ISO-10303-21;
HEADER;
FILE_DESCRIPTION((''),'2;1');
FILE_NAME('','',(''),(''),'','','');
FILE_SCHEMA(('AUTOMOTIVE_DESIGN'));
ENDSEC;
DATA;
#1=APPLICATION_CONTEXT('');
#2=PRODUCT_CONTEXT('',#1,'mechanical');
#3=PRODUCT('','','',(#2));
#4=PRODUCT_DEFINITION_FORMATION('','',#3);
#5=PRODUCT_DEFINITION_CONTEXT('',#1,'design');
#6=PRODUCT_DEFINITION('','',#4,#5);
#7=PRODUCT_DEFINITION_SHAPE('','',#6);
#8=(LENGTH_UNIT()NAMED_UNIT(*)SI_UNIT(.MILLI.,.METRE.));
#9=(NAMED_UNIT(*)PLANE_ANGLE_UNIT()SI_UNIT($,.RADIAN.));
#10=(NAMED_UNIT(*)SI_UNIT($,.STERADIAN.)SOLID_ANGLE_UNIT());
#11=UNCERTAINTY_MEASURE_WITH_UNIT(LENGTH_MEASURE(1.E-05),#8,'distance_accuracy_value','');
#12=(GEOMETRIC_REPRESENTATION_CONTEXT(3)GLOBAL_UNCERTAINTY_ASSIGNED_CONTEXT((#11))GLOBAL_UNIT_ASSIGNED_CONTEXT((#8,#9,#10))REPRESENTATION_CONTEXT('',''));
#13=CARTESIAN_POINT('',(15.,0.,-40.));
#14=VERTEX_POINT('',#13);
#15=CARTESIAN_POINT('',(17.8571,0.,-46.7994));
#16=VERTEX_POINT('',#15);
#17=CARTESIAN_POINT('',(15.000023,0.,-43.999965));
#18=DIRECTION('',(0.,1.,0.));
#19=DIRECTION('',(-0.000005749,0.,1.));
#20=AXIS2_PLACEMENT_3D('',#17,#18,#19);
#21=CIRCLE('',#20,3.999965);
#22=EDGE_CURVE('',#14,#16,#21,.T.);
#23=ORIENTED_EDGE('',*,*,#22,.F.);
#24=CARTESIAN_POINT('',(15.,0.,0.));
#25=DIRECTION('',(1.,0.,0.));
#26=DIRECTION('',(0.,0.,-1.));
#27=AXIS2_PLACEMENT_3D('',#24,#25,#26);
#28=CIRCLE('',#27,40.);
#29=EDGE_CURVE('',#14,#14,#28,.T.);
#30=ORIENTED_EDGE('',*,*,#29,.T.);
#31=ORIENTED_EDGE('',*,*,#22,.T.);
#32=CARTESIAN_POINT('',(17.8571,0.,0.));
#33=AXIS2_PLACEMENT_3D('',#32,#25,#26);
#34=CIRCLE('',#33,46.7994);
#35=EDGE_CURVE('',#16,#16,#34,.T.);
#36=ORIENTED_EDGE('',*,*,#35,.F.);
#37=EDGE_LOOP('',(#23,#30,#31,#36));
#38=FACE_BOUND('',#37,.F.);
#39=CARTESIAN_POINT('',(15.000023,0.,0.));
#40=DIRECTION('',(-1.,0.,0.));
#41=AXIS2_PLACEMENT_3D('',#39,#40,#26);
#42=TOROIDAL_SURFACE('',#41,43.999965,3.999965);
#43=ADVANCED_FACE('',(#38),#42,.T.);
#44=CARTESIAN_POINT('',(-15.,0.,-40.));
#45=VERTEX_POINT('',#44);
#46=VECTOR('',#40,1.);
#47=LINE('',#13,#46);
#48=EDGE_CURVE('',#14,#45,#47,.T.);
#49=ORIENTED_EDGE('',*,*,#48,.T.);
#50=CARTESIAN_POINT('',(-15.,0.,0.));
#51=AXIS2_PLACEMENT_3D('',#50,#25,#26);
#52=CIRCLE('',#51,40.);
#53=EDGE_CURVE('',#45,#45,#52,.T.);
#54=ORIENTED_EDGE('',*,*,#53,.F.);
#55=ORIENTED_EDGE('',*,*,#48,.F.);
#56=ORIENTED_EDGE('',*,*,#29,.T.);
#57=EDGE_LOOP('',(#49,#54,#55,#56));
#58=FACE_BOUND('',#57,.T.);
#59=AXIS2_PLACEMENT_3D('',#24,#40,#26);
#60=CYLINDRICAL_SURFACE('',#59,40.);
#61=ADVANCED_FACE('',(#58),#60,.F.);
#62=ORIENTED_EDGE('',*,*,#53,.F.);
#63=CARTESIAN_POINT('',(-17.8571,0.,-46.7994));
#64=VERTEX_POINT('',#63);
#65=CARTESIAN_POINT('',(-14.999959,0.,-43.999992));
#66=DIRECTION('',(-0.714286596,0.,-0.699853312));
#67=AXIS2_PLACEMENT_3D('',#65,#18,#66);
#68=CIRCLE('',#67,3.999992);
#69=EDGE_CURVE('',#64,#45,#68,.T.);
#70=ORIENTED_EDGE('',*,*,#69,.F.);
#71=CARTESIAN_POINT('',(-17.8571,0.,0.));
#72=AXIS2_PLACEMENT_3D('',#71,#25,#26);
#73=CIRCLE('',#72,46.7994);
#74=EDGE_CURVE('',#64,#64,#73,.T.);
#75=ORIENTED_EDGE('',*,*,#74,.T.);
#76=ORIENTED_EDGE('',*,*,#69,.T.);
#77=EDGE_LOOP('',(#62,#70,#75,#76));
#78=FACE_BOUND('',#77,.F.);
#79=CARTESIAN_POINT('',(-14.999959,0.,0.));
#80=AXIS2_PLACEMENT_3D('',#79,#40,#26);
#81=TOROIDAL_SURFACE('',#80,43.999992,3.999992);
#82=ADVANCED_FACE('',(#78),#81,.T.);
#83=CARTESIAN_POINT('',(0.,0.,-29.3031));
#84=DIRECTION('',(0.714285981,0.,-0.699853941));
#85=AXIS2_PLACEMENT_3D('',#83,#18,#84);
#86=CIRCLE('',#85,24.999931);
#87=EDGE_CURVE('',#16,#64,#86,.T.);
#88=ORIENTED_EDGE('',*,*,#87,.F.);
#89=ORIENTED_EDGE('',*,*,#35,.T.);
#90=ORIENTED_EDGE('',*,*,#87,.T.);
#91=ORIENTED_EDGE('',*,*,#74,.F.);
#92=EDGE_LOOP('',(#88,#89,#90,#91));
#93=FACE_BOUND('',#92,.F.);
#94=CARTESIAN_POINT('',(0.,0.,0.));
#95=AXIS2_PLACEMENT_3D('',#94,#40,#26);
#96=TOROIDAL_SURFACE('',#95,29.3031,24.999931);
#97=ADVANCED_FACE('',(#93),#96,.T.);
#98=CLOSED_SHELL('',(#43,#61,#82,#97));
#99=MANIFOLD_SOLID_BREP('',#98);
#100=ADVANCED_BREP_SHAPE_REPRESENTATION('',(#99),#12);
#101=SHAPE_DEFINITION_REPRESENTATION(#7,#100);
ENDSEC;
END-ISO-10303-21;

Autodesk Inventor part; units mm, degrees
ref_plane "YZ Plane" through (0, 0, 0) normal (1, 0, 0) x (0, 1, 0)
sketch "Sketch1" plane through (0, 0, 0) normal (0, 1, 0) x (-1, 0, 0)
  line L0 (0, 0) -> (0, -40) construction
  line L1 (-15, -40) -> (15, -40)
  line L2 (0, -40) -> (0, -49.0309) construction
  arc A0 (17.8571, -46.7994) -> (15, -40) centre (15, -44) ccw
  arc A1 (-17.8571, -46.7994) -> (17.8571, -46.7994) centre (0, -29.3031) ccw
  arc A2 (-15, -40) -> (-17.8571, -46.7994) centre (-15, -44) ccw
  line L3 (17.8571, -46.7994) -> (-17.8571, -46.7994) construction
  line L4 (15, -40) -> (-15, -40) construction
  line L5 (28.1627, 0) -> (-28.1627, 0) projected
  line L6 (17.8571, 0) -> (-17.8571, 0)
  point P0 (0, -54.3031)
  dimension "d1" = 30
  dimension "d5" = 4
  dimension "d6" = 80
  dimension "d7" = 25
revolve "Revolution1" add sketch "Sketch1" angle 360 about axis through (-10, 0, 0) along (1, 0, 0)
ref_plane "Work Plane3" through (0, 0, 0) normal (1, 0, 0) x (0, 1, 0)
ref_plane "Work Plane1" through (15, 0, 0) normal (1, 0, 0) x (0, 1, 0)
ref_plane "Work Plane2" through (-15, 0, 0) normal (1, 0, 0) x (0, 1, 0)
ref_plane "Work Plane5" through (0, 0, 0) normal (1, 0, 0) x (0, 1, 0)
properties part number "tire" material "Rubber"
